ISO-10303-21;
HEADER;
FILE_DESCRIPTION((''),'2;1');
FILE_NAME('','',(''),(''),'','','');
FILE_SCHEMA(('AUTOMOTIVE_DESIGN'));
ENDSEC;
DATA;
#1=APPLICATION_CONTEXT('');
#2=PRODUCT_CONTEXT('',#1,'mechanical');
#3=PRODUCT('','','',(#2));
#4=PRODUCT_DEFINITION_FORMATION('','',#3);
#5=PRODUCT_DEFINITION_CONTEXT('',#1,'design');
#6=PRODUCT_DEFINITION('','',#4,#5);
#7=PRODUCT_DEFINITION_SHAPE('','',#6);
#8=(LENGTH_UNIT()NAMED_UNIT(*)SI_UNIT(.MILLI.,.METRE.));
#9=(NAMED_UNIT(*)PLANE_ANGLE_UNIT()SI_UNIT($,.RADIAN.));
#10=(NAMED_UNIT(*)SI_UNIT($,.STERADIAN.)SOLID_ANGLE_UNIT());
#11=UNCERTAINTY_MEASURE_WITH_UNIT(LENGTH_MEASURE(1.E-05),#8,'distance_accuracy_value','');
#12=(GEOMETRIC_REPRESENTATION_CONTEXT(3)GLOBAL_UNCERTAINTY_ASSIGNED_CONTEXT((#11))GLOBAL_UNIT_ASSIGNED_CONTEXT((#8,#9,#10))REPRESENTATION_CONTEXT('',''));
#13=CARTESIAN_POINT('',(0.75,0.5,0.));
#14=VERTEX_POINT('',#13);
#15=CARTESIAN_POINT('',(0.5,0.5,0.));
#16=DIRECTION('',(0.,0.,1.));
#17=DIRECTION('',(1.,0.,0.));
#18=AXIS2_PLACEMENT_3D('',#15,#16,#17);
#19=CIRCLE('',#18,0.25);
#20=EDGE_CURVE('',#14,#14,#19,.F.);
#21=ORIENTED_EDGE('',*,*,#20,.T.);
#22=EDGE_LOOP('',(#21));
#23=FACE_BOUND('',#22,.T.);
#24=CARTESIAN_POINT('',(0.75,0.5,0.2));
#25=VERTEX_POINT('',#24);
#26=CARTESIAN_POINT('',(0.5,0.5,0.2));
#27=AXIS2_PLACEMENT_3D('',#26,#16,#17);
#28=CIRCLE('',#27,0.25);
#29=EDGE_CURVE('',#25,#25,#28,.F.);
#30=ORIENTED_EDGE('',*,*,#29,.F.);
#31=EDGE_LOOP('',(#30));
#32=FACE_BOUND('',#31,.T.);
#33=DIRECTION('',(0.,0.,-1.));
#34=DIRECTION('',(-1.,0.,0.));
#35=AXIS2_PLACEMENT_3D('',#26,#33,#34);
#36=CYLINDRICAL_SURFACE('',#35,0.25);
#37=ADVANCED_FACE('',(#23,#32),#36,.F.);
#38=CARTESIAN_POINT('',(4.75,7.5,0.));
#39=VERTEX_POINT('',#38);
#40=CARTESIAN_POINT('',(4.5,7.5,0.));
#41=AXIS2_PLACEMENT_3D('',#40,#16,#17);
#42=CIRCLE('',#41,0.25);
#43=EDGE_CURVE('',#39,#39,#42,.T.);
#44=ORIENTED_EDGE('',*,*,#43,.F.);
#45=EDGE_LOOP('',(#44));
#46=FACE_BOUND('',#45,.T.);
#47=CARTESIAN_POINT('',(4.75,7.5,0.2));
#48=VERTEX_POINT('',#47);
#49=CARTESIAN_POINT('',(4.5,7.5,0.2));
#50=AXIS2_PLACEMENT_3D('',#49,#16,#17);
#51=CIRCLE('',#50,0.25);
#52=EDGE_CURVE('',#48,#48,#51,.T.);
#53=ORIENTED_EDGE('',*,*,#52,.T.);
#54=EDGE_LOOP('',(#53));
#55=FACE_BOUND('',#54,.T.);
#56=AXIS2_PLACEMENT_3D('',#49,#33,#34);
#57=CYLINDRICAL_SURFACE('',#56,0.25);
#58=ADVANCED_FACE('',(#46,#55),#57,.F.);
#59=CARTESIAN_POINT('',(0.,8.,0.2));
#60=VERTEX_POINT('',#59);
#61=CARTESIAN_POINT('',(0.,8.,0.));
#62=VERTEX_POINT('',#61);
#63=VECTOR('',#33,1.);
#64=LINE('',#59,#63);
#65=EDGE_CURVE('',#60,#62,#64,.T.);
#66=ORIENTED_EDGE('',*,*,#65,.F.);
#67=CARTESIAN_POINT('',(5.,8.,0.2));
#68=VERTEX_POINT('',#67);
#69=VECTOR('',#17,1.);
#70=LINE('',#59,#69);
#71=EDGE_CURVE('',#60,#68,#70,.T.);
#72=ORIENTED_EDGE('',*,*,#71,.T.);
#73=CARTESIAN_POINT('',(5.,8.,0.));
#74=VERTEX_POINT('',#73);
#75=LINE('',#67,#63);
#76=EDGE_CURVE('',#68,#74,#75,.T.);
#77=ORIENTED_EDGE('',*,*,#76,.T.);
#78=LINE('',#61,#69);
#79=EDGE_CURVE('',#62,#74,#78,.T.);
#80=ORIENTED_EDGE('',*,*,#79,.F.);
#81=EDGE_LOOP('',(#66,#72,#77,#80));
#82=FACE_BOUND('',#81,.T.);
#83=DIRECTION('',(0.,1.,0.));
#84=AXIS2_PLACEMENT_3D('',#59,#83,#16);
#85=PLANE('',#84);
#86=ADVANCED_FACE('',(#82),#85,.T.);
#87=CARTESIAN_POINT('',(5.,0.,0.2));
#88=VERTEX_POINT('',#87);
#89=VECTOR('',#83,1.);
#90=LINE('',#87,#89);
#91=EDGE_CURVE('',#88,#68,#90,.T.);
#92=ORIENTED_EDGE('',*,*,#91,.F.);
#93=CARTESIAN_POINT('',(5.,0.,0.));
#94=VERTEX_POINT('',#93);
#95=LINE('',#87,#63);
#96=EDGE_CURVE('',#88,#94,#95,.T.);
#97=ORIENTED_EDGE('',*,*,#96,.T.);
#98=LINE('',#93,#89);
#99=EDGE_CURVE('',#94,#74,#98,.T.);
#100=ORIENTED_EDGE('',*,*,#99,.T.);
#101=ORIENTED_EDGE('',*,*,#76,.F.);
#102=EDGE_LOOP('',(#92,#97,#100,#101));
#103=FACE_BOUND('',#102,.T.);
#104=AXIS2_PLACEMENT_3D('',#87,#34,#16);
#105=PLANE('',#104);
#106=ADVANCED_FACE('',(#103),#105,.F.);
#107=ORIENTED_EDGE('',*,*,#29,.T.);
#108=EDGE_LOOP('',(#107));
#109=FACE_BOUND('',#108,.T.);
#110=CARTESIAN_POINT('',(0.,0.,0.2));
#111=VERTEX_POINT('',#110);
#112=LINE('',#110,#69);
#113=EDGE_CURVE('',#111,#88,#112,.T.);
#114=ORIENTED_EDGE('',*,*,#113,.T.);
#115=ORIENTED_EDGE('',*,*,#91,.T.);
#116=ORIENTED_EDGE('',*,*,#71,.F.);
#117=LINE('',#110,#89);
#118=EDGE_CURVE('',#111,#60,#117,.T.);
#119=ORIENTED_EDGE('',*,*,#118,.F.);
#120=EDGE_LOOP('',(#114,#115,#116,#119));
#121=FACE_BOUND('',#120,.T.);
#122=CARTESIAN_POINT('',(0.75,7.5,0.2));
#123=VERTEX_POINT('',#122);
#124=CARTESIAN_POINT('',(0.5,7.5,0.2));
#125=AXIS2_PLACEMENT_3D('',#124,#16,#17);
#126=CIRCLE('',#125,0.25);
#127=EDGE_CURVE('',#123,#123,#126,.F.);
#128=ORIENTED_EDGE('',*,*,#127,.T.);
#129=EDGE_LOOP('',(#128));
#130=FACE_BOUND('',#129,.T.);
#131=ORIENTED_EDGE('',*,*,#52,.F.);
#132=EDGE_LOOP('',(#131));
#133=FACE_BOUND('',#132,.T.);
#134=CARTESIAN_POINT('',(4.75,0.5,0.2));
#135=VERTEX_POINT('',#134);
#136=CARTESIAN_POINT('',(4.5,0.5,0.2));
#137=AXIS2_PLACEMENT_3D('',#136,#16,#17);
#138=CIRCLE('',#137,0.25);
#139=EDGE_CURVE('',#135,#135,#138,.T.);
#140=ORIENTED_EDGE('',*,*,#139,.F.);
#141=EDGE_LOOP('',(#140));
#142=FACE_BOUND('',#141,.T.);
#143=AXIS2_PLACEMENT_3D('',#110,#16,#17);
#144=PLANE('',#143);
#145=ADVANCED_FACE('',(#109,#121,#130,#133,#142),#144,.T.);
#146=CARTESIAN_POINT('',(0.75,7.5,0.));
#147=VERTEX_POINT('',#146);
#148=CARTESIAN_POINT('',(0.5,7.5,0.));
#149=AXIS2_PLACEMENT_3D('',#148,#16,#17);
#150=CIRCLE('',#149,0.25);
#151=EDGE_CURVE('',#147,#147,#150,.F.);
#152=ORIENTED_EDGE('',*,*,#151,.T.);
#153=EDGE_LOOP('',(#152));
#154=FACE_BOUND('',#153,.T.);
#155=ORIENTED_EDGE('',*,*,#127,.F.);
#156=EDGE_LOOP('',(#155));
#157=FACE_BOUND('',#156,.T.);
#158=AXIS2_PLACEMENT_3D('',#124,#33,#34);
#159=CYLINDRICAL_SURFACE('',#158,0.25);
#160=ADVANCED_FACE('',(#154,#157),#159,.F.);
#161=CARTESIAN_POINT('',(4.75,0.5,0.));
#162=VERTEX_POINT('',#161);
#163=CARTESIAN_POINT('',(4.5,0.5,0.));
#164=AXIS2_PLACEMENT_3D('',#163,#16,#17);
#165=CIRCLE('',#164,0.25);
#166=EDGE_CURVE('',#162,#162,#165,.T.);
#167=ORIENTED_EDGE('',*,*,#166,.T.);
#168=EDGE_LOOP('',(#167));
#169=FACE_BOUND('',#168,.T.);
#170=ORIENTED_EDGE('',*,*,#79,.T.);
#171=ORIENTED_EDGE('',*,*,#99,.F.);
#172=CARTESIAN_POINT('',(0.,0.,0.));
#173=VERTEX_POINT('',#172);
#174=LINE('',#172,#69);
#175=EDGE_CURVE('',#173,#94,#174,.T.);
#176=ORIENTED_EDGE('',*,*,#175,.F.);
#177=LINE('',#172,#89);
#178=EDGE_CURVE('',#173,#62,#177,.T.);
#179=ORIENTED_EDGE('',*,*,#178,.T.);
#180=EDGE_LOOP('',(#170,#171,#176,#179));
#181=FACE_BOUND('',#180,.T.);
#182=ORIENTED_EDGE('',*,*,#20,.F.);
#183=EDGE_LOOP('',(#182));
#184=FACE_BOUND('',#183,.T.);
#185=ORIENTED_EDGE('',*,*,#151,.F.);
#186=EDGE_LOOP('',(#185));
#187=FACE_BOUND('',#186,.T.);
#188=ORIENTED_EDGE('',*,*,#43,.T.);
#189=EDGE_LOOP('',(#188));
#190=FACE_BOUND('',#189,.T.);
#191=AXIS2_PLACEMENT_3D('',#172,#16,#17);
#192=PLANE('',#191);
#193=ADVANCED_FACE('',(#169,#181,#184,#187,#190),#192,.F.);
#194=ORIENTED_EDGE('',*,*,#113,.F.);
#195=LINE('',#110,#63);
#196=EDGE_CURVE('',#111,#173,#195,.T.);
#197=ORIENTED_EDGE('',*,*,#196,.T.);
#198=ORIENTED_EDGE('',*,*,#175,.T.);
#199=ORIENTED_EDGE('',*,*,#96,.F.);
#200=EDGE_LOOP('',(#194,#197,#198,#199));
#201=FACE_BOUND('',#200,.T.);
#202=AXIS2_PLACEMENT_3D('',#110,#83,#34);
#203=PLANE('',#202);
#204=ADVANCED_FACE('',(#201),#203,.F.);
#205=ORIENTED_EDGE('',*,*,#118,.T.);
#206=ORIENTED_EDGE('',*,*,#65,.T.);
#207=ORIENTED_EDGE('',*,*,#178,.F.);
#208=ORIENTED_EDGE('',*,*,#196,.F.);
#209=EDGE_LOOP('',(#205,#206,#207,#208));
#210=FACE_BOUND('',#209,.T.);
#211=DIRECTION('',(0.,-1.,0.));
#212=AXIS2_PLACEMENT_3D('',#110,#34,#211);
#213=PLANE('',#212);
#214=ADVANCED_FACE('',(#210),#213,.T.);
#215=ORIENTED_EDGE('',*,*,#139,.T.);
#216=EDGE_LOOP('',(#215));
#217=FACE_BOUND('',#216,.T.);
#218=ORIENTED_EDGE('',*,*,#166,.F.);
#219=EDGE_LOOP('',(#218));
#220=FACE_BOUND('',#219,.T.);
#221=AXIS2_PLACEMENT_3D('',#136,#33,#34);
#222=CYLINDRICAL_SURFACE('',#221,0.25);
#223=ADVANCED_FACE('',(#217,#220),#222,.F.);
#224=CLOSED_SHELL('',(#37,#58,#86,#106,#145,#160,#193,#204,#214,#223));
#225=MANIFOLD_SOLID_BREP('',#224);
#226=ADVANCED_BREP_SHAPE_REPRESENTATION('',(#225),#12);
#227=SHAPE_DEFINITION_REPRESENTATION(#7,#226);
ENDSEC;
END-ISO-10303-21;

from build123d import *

# Parameters (mm, degrees)
SKETCH1_W           = 5
SKETCH1_H           = 8
SKETCH1_R           = 0.25
BOSS_EXTRUDE1_DEPTH = 0.2


with BuildPart() as part:
    # Sketch1 → Boss-Extrude1 (new body)
    with BuildSketch(Plane.XY):
        with Locations((2.5, 4)):
            Rectangle(SKETCH1_W, SKETCH1_H)
        with Locations((4.5, 0.5)):
            Circle(SKETCH1_R, mode=Mode.SUBTRACT)
        with Locations((4.5, 7.5)):
            Circle(SKETCH1_R, mode=Mode.SUBTRACT)
        with Locations((0.5, 0.5)):
            Circle(SKETCH1_R, mode=Mode.SUBTRACT)
        with Locations((0.5, 7.5)):
            Circle(SKETCH1_R, mode=Mode.SUBTRACT)
    extrude(amount=BOSS_EXTRUDE1_DEPTH)


solid = part.part
